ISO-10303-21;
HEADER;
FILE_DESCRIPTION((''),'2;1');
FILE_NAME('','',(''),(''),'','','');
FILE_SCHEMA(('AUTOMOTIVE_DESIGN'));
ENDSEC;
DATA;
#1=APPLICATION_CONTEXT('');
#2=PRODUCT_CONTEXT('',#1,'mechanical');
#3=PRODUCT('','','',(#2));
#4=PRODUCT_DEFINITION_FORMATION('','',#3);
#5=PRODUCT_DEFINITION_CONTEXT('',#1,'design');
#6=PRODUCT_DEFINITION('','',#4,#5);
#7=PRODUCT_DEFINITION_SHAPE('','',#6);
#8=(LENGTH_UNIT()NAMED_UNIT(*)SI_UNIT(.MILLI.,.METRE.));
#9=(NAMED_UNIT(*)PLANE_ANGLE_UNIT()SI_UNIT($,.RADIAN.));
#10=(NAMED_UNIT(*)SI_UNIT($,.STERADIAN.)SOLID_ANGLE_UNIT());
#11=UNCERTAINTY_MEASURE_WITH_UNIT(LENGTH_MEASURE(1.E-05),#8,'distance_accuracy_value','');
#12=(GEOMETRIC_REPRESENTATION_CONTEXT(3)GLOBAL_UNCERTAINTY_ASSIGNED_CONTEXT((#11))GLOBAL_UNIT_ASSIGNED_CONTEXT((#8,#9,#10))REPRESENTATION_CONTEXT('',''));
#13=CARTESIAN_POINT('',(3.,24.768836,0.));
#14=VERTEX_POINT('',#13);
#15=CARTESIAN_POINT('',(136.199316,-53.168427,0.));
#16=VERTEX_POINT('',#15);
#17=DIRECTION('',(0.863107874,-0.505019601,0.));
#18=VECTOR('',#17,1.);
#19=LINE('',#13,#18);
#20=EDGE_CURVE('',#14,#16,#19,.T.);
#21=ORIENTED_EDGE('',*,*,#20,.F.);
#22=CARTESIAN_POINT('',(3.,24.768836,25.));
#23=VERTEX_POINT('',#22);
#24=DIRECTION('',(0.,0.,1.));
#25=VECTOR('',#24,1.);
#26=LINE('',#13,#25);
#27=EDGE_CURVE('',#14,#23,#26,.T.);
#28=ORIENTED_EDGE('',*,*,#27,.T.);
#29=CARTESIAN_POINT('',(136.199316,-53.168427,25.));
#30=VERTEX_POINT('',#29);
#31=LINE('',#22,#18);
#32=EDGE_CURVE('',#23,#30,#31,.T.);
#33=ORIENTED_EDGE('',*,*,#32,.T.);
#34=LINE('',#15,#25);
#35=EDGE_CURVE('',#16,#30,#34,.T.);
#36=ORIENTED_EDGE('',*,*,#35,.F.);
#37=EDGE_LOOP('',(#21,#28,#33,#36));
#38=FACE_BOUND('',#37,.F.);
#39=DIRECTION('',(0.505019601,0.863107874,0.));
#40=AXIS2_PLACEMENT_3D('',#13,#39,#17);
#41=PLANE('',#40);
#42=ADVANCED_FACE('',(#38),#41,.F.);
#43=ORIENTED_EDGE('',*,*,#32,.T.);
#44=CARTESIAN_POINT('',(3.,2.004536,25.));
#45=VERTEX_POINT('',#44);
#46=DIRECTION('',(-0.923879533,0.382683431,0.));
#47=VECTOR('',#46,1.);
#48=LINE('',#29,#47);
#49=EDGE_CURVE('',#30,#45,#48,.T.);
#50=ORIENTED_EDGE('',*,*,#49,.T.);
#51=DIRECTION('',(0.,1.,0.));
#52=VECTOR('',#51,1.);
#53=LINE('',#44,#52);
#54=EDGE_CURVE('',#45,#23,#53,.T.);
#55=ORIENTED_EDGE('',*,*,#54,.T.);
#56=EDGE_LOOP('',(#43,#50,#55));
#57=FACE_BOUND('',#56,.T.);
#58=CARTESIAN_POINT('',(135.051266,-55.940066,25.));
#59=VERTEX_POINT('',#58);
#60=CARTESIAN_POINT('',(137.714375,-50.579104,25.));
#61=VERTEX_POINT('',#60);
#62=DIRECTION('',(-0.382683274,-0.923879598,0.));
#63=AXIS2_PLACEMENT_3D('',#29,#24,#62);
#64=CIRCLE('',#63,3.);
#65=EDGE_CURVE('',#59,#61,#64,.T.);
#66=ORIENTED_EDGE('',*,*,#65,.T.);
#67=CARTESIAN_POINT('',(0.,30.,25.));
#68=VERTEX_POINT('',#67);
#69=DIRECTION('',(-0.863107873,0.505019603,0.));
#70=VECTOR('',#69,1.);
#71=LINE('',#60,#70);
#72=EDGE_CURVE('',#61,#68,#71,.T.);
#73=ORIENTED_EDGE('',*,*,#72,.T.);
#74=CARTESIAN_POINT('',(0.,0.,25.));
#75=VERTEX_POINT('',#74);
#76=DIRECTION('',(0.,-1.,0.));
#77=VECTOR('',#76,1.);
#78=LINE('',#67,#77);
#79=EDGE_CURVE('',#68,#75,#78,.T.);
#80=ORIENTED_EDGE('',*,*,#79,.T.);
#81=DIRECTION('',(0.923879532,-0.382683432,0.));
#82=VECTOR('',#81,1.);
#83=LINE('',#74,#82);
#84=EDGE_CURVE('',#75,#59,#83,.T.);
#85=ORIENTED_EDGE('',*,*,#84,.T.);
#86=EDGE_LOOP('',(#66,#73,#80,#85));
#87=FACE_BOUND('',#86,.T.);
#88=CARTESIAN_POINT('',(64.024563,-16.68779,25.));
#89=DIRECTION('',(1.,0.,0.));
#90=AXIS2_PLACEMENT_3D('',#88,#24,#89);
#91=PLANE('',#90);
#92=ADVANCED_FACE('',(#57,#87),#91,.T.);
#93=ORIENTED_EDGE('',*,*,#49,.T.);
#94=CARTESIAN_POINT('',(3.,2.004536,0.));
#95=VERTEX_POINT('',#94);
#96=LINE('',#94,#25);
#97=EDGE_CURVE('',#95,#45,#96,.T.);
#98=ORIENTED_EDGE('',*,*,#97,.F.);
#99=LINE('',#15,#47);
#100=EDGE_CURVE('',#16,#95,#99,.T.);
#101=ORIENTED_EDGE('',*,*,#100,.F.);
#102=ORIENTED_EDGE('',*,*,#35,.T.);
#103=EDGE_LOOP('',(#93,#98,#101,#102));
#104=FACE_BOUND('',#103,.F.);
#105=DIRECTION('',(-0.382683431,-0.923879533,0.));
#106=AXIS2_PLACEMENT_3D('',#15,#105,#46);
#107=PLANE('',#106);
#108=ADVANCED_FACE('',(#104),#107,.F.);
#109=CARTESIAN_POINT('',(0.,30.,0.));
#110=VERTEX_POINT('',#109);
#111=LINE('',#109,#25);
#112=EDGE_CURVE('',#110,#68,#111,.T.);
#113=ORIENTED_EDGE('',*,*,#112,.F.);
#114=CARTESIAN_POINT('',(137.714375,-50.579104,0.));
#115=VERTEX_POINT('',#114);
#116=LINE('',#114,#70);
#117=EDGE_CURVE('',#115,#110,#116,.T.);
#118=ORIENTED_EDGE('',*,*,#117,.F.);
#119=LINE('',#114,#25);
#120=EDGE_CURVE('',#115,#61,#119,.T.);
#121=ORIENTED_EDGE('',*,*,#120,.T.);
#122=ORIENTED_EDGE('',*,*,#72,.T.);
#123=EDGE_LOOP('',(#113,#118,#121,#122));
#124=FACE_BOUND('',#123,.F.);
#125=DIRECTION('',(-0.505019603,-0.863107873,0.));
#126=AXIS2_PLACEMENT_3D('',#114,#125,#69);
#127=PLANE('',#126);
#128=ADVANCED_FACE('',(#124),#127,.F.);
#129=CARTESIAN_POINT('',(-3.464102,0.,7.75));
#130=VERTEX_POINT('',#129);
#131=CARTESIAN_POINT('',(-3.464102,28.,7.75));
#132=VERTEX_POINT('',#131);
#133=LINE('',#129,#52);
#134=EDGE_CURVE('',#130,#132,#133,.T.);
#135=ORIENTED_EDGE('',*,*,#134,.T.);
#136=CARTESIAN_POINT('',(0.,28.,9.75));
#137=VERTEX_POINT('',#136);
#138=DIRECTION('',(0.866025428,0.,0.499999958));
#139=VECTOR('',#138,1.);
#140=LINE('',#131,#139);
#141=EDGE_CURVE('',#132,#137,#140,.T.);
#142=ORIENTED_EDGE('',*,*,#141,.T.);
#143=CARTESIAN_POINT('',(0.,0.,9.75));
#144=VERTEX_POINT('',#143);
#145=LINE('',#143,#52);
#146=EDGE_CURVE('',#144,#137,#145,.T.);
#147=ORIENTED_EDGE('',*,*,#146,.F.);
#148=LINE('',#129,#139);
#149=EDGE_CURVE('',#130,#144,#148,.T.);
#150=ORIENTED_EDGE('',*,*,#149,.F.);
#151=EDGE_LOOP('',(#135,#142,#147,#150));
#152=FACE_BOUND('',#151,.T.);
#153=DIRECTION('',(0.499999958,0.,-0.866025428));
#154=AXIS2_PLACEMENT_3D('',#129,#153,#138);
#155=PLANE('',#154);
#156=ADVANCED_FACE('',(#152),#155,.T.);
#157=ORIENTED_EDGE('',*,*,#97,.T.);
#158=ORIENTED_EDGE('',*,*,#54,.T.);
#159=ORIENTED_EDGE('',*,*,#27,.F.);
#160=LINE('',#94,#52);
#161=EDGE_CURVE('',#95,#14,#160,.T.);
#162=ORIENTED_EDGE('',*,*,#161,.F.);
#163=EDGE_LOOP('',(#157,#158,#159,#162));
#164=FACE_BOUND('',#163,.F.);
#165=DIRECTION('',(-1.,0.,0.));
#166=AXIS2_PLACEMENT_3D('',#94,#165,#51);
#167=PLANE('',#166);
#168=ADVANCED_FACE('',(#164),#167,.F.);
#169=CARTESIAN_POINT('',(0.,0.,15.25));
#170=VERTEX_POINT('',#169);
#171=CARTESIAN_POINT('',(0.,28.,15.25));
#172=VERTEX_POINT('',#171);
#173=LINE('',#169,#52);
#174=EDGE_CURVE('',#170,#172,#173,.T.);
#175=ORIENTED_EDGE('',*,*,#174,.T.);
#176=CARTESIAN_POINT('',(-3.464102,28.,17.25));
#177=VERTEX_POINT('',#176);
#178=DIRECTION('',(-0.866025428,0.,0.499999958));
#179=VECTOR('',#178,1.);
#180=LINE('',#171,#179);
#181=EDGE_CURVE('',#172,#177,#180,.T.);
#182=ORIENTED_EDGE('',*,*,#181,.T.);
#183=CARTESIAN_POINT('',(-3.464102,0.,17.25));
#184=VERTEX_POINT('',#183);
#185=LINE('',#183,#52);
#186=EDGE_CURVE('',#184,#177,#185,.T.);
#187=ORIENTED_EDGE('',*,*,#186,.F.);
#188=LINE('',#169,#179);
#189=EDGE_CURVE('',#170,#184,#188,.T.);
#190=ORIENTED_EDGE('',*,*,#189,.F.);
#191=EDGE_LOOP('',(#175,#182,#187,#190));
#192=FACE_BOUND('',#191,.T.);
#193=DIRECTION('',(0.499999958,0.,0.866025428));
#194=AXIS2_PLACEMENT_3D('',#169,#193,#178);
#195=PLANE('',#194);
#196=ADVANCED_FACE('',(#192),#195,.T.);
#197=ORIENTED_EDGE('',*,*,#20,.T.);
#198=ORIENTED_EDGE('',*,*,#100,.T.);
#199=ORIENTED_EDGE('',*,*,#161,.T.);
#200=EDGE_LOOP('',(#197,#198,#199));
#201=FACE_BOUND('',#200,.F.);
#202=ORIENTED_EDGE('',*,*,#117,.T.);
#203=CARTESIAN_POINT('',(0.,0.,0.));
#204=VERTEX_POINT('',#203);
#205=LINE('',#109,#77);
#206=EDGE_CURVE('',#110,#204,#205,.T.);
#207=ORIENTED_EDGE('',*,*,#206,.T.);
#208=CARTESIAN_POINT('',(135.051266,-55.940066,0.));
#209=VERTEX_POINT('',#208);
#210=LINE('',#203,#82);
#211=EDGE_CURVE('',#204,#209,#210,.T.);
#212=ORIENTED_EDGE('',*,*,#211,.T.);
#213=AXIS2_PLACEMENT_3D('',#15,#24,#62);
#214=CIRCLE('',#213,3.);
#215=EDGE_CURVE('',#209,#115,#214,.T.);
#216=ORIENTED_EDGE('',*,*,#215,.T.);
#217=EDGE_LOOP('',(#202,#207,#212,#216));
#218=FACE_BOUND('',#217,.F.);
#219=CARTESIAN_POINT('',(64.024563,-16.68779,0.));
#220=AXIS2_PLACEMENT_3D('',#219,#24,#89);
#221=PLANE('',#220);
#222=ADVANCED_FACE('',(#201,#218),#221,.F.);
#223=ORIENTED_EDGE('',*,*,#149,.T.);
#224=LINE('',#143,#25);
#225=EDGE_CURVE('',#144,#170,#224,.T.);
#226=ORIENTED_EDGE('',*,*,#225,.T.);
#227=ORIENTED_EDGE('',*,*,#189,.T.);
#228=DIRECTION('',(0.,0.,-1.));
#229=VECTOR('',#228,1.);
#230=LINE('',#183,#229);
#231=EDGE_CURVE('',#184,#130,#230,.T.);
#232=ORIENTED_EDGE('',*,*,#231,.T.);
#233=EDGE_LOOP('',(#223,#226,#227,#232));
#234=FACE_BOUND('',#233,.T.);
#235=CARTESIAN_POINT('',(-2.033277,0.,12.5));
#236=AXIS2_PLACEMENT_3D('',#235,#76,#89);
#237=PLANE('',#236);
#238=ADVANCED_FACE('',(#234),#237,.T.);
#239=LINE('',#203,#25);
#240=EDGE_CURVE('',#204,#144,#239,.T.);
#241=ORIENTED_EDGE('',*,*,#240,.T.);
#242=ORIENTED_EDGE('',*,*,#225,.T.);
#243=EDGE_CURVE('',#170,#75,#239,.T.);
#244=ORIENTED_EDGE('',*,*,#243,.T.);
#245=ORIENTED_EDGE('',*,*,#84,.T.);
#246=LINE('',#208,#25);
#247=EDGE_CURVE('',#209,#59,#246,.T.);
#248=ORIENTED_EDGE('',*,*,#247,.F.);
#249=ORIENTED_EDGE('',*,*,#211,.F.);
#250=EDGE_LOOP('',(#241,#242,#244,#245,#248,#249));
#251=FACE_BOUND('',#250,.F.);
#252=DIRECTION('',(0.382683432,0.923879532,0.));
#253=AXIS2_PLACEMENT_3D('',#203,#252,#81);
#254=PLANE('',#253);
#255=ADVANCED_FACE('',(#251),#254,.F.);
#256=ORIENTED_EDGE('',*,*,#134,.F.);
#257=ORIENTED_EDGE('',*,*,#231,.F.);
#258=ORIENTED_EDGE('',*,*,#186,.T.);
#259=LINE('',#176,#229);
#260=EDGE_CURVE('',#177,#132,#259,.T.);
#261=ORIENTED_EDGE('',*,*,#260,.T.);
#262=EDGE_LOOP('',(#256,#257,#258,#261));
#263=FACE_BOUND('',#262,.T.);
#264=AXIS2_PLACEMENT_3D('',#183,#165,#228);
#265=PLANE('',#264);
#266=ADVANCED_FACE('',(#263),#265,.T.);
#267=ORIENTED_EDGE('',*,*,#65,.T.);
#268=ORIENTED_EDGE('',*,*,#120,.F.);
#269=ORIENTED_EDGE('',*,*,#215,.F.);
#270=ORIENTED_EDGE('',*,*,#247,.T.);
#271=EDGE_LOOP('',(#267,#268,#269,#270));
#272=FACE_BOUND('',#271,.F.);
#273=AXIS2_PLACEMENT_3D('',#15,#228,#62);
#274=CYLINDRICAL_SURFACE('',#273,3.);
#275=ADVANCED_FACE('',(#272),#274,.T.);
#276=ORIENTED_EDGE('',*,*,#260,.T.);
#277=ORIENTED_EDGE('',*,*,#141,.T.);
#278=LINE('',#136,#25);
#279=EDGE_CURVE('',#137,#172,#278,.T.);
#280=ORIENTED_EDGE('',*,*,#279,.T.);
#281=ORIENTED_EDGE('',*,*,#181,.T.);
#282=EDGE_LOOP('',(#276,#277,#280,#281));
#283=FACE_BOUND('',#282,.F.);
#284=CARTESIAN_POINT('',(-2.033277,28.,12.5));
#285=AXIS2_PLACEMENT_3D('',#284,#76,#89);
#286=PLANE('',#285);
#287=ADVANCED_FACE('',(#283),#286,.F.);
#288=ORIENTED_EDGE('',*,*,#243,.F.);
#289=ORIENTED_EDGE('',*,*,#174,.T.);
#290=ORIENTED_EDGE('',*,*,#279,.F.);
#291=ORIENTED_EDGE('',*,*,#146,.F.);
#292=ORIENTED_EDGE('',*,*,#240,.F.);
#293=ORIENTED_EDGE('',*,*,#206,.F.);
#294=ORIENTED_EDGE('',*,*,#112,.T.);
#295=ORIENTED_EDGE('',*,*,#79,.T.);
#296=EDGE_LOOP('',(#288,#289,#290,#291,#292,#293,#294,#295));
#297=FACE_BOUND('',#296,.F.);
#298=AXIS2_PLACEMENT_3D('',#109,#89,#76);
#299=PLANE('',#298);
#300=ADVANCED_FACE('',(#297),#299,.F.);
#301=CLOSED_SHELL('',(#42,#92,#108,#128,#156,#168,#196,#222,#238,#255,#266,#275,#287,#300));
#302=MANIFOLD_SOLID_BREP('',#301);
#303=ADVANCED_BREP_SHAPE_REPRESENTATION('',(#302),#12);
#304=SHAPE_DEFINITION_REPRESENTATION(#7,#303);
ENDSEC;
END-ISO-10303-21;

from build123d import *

# Parameters (mm, degrees)
F1_DEPTH = 25
F3_DEPTH = 28


with BuildPart() as f1:
    # F0 (on Top) → F1 (new body)
    with BuildSketch(Plane.XY):
        with BuildLine():
            Line((0, 30), (0, 0))
            Line((0, 0), (135.051266, -55.940066))
            ThreePointArc((135.051266, -55.940066), (138.886071, -54.503098), (137.714375, -50.579104))
            Line((137.714375, -50.579104), (0, 30))
        make_face()
        Polygon((3, 2.004536), (3, 24.768836), (136.199316, -53.168427), align=None, mode=Mode.SUBTRACT)
    extrude(amount=F1_DEPTH)

    # F2 (on Front) → F3 (join)
    with BuildSketch(Plane.XZ):
        Polygon((0, 9.75), (0, 15.25), (-3.464102, 17.25), (-3.464102, 7.75), align=None)
    extrude(amount=-F3_DEPTH)


solid = f1.part
